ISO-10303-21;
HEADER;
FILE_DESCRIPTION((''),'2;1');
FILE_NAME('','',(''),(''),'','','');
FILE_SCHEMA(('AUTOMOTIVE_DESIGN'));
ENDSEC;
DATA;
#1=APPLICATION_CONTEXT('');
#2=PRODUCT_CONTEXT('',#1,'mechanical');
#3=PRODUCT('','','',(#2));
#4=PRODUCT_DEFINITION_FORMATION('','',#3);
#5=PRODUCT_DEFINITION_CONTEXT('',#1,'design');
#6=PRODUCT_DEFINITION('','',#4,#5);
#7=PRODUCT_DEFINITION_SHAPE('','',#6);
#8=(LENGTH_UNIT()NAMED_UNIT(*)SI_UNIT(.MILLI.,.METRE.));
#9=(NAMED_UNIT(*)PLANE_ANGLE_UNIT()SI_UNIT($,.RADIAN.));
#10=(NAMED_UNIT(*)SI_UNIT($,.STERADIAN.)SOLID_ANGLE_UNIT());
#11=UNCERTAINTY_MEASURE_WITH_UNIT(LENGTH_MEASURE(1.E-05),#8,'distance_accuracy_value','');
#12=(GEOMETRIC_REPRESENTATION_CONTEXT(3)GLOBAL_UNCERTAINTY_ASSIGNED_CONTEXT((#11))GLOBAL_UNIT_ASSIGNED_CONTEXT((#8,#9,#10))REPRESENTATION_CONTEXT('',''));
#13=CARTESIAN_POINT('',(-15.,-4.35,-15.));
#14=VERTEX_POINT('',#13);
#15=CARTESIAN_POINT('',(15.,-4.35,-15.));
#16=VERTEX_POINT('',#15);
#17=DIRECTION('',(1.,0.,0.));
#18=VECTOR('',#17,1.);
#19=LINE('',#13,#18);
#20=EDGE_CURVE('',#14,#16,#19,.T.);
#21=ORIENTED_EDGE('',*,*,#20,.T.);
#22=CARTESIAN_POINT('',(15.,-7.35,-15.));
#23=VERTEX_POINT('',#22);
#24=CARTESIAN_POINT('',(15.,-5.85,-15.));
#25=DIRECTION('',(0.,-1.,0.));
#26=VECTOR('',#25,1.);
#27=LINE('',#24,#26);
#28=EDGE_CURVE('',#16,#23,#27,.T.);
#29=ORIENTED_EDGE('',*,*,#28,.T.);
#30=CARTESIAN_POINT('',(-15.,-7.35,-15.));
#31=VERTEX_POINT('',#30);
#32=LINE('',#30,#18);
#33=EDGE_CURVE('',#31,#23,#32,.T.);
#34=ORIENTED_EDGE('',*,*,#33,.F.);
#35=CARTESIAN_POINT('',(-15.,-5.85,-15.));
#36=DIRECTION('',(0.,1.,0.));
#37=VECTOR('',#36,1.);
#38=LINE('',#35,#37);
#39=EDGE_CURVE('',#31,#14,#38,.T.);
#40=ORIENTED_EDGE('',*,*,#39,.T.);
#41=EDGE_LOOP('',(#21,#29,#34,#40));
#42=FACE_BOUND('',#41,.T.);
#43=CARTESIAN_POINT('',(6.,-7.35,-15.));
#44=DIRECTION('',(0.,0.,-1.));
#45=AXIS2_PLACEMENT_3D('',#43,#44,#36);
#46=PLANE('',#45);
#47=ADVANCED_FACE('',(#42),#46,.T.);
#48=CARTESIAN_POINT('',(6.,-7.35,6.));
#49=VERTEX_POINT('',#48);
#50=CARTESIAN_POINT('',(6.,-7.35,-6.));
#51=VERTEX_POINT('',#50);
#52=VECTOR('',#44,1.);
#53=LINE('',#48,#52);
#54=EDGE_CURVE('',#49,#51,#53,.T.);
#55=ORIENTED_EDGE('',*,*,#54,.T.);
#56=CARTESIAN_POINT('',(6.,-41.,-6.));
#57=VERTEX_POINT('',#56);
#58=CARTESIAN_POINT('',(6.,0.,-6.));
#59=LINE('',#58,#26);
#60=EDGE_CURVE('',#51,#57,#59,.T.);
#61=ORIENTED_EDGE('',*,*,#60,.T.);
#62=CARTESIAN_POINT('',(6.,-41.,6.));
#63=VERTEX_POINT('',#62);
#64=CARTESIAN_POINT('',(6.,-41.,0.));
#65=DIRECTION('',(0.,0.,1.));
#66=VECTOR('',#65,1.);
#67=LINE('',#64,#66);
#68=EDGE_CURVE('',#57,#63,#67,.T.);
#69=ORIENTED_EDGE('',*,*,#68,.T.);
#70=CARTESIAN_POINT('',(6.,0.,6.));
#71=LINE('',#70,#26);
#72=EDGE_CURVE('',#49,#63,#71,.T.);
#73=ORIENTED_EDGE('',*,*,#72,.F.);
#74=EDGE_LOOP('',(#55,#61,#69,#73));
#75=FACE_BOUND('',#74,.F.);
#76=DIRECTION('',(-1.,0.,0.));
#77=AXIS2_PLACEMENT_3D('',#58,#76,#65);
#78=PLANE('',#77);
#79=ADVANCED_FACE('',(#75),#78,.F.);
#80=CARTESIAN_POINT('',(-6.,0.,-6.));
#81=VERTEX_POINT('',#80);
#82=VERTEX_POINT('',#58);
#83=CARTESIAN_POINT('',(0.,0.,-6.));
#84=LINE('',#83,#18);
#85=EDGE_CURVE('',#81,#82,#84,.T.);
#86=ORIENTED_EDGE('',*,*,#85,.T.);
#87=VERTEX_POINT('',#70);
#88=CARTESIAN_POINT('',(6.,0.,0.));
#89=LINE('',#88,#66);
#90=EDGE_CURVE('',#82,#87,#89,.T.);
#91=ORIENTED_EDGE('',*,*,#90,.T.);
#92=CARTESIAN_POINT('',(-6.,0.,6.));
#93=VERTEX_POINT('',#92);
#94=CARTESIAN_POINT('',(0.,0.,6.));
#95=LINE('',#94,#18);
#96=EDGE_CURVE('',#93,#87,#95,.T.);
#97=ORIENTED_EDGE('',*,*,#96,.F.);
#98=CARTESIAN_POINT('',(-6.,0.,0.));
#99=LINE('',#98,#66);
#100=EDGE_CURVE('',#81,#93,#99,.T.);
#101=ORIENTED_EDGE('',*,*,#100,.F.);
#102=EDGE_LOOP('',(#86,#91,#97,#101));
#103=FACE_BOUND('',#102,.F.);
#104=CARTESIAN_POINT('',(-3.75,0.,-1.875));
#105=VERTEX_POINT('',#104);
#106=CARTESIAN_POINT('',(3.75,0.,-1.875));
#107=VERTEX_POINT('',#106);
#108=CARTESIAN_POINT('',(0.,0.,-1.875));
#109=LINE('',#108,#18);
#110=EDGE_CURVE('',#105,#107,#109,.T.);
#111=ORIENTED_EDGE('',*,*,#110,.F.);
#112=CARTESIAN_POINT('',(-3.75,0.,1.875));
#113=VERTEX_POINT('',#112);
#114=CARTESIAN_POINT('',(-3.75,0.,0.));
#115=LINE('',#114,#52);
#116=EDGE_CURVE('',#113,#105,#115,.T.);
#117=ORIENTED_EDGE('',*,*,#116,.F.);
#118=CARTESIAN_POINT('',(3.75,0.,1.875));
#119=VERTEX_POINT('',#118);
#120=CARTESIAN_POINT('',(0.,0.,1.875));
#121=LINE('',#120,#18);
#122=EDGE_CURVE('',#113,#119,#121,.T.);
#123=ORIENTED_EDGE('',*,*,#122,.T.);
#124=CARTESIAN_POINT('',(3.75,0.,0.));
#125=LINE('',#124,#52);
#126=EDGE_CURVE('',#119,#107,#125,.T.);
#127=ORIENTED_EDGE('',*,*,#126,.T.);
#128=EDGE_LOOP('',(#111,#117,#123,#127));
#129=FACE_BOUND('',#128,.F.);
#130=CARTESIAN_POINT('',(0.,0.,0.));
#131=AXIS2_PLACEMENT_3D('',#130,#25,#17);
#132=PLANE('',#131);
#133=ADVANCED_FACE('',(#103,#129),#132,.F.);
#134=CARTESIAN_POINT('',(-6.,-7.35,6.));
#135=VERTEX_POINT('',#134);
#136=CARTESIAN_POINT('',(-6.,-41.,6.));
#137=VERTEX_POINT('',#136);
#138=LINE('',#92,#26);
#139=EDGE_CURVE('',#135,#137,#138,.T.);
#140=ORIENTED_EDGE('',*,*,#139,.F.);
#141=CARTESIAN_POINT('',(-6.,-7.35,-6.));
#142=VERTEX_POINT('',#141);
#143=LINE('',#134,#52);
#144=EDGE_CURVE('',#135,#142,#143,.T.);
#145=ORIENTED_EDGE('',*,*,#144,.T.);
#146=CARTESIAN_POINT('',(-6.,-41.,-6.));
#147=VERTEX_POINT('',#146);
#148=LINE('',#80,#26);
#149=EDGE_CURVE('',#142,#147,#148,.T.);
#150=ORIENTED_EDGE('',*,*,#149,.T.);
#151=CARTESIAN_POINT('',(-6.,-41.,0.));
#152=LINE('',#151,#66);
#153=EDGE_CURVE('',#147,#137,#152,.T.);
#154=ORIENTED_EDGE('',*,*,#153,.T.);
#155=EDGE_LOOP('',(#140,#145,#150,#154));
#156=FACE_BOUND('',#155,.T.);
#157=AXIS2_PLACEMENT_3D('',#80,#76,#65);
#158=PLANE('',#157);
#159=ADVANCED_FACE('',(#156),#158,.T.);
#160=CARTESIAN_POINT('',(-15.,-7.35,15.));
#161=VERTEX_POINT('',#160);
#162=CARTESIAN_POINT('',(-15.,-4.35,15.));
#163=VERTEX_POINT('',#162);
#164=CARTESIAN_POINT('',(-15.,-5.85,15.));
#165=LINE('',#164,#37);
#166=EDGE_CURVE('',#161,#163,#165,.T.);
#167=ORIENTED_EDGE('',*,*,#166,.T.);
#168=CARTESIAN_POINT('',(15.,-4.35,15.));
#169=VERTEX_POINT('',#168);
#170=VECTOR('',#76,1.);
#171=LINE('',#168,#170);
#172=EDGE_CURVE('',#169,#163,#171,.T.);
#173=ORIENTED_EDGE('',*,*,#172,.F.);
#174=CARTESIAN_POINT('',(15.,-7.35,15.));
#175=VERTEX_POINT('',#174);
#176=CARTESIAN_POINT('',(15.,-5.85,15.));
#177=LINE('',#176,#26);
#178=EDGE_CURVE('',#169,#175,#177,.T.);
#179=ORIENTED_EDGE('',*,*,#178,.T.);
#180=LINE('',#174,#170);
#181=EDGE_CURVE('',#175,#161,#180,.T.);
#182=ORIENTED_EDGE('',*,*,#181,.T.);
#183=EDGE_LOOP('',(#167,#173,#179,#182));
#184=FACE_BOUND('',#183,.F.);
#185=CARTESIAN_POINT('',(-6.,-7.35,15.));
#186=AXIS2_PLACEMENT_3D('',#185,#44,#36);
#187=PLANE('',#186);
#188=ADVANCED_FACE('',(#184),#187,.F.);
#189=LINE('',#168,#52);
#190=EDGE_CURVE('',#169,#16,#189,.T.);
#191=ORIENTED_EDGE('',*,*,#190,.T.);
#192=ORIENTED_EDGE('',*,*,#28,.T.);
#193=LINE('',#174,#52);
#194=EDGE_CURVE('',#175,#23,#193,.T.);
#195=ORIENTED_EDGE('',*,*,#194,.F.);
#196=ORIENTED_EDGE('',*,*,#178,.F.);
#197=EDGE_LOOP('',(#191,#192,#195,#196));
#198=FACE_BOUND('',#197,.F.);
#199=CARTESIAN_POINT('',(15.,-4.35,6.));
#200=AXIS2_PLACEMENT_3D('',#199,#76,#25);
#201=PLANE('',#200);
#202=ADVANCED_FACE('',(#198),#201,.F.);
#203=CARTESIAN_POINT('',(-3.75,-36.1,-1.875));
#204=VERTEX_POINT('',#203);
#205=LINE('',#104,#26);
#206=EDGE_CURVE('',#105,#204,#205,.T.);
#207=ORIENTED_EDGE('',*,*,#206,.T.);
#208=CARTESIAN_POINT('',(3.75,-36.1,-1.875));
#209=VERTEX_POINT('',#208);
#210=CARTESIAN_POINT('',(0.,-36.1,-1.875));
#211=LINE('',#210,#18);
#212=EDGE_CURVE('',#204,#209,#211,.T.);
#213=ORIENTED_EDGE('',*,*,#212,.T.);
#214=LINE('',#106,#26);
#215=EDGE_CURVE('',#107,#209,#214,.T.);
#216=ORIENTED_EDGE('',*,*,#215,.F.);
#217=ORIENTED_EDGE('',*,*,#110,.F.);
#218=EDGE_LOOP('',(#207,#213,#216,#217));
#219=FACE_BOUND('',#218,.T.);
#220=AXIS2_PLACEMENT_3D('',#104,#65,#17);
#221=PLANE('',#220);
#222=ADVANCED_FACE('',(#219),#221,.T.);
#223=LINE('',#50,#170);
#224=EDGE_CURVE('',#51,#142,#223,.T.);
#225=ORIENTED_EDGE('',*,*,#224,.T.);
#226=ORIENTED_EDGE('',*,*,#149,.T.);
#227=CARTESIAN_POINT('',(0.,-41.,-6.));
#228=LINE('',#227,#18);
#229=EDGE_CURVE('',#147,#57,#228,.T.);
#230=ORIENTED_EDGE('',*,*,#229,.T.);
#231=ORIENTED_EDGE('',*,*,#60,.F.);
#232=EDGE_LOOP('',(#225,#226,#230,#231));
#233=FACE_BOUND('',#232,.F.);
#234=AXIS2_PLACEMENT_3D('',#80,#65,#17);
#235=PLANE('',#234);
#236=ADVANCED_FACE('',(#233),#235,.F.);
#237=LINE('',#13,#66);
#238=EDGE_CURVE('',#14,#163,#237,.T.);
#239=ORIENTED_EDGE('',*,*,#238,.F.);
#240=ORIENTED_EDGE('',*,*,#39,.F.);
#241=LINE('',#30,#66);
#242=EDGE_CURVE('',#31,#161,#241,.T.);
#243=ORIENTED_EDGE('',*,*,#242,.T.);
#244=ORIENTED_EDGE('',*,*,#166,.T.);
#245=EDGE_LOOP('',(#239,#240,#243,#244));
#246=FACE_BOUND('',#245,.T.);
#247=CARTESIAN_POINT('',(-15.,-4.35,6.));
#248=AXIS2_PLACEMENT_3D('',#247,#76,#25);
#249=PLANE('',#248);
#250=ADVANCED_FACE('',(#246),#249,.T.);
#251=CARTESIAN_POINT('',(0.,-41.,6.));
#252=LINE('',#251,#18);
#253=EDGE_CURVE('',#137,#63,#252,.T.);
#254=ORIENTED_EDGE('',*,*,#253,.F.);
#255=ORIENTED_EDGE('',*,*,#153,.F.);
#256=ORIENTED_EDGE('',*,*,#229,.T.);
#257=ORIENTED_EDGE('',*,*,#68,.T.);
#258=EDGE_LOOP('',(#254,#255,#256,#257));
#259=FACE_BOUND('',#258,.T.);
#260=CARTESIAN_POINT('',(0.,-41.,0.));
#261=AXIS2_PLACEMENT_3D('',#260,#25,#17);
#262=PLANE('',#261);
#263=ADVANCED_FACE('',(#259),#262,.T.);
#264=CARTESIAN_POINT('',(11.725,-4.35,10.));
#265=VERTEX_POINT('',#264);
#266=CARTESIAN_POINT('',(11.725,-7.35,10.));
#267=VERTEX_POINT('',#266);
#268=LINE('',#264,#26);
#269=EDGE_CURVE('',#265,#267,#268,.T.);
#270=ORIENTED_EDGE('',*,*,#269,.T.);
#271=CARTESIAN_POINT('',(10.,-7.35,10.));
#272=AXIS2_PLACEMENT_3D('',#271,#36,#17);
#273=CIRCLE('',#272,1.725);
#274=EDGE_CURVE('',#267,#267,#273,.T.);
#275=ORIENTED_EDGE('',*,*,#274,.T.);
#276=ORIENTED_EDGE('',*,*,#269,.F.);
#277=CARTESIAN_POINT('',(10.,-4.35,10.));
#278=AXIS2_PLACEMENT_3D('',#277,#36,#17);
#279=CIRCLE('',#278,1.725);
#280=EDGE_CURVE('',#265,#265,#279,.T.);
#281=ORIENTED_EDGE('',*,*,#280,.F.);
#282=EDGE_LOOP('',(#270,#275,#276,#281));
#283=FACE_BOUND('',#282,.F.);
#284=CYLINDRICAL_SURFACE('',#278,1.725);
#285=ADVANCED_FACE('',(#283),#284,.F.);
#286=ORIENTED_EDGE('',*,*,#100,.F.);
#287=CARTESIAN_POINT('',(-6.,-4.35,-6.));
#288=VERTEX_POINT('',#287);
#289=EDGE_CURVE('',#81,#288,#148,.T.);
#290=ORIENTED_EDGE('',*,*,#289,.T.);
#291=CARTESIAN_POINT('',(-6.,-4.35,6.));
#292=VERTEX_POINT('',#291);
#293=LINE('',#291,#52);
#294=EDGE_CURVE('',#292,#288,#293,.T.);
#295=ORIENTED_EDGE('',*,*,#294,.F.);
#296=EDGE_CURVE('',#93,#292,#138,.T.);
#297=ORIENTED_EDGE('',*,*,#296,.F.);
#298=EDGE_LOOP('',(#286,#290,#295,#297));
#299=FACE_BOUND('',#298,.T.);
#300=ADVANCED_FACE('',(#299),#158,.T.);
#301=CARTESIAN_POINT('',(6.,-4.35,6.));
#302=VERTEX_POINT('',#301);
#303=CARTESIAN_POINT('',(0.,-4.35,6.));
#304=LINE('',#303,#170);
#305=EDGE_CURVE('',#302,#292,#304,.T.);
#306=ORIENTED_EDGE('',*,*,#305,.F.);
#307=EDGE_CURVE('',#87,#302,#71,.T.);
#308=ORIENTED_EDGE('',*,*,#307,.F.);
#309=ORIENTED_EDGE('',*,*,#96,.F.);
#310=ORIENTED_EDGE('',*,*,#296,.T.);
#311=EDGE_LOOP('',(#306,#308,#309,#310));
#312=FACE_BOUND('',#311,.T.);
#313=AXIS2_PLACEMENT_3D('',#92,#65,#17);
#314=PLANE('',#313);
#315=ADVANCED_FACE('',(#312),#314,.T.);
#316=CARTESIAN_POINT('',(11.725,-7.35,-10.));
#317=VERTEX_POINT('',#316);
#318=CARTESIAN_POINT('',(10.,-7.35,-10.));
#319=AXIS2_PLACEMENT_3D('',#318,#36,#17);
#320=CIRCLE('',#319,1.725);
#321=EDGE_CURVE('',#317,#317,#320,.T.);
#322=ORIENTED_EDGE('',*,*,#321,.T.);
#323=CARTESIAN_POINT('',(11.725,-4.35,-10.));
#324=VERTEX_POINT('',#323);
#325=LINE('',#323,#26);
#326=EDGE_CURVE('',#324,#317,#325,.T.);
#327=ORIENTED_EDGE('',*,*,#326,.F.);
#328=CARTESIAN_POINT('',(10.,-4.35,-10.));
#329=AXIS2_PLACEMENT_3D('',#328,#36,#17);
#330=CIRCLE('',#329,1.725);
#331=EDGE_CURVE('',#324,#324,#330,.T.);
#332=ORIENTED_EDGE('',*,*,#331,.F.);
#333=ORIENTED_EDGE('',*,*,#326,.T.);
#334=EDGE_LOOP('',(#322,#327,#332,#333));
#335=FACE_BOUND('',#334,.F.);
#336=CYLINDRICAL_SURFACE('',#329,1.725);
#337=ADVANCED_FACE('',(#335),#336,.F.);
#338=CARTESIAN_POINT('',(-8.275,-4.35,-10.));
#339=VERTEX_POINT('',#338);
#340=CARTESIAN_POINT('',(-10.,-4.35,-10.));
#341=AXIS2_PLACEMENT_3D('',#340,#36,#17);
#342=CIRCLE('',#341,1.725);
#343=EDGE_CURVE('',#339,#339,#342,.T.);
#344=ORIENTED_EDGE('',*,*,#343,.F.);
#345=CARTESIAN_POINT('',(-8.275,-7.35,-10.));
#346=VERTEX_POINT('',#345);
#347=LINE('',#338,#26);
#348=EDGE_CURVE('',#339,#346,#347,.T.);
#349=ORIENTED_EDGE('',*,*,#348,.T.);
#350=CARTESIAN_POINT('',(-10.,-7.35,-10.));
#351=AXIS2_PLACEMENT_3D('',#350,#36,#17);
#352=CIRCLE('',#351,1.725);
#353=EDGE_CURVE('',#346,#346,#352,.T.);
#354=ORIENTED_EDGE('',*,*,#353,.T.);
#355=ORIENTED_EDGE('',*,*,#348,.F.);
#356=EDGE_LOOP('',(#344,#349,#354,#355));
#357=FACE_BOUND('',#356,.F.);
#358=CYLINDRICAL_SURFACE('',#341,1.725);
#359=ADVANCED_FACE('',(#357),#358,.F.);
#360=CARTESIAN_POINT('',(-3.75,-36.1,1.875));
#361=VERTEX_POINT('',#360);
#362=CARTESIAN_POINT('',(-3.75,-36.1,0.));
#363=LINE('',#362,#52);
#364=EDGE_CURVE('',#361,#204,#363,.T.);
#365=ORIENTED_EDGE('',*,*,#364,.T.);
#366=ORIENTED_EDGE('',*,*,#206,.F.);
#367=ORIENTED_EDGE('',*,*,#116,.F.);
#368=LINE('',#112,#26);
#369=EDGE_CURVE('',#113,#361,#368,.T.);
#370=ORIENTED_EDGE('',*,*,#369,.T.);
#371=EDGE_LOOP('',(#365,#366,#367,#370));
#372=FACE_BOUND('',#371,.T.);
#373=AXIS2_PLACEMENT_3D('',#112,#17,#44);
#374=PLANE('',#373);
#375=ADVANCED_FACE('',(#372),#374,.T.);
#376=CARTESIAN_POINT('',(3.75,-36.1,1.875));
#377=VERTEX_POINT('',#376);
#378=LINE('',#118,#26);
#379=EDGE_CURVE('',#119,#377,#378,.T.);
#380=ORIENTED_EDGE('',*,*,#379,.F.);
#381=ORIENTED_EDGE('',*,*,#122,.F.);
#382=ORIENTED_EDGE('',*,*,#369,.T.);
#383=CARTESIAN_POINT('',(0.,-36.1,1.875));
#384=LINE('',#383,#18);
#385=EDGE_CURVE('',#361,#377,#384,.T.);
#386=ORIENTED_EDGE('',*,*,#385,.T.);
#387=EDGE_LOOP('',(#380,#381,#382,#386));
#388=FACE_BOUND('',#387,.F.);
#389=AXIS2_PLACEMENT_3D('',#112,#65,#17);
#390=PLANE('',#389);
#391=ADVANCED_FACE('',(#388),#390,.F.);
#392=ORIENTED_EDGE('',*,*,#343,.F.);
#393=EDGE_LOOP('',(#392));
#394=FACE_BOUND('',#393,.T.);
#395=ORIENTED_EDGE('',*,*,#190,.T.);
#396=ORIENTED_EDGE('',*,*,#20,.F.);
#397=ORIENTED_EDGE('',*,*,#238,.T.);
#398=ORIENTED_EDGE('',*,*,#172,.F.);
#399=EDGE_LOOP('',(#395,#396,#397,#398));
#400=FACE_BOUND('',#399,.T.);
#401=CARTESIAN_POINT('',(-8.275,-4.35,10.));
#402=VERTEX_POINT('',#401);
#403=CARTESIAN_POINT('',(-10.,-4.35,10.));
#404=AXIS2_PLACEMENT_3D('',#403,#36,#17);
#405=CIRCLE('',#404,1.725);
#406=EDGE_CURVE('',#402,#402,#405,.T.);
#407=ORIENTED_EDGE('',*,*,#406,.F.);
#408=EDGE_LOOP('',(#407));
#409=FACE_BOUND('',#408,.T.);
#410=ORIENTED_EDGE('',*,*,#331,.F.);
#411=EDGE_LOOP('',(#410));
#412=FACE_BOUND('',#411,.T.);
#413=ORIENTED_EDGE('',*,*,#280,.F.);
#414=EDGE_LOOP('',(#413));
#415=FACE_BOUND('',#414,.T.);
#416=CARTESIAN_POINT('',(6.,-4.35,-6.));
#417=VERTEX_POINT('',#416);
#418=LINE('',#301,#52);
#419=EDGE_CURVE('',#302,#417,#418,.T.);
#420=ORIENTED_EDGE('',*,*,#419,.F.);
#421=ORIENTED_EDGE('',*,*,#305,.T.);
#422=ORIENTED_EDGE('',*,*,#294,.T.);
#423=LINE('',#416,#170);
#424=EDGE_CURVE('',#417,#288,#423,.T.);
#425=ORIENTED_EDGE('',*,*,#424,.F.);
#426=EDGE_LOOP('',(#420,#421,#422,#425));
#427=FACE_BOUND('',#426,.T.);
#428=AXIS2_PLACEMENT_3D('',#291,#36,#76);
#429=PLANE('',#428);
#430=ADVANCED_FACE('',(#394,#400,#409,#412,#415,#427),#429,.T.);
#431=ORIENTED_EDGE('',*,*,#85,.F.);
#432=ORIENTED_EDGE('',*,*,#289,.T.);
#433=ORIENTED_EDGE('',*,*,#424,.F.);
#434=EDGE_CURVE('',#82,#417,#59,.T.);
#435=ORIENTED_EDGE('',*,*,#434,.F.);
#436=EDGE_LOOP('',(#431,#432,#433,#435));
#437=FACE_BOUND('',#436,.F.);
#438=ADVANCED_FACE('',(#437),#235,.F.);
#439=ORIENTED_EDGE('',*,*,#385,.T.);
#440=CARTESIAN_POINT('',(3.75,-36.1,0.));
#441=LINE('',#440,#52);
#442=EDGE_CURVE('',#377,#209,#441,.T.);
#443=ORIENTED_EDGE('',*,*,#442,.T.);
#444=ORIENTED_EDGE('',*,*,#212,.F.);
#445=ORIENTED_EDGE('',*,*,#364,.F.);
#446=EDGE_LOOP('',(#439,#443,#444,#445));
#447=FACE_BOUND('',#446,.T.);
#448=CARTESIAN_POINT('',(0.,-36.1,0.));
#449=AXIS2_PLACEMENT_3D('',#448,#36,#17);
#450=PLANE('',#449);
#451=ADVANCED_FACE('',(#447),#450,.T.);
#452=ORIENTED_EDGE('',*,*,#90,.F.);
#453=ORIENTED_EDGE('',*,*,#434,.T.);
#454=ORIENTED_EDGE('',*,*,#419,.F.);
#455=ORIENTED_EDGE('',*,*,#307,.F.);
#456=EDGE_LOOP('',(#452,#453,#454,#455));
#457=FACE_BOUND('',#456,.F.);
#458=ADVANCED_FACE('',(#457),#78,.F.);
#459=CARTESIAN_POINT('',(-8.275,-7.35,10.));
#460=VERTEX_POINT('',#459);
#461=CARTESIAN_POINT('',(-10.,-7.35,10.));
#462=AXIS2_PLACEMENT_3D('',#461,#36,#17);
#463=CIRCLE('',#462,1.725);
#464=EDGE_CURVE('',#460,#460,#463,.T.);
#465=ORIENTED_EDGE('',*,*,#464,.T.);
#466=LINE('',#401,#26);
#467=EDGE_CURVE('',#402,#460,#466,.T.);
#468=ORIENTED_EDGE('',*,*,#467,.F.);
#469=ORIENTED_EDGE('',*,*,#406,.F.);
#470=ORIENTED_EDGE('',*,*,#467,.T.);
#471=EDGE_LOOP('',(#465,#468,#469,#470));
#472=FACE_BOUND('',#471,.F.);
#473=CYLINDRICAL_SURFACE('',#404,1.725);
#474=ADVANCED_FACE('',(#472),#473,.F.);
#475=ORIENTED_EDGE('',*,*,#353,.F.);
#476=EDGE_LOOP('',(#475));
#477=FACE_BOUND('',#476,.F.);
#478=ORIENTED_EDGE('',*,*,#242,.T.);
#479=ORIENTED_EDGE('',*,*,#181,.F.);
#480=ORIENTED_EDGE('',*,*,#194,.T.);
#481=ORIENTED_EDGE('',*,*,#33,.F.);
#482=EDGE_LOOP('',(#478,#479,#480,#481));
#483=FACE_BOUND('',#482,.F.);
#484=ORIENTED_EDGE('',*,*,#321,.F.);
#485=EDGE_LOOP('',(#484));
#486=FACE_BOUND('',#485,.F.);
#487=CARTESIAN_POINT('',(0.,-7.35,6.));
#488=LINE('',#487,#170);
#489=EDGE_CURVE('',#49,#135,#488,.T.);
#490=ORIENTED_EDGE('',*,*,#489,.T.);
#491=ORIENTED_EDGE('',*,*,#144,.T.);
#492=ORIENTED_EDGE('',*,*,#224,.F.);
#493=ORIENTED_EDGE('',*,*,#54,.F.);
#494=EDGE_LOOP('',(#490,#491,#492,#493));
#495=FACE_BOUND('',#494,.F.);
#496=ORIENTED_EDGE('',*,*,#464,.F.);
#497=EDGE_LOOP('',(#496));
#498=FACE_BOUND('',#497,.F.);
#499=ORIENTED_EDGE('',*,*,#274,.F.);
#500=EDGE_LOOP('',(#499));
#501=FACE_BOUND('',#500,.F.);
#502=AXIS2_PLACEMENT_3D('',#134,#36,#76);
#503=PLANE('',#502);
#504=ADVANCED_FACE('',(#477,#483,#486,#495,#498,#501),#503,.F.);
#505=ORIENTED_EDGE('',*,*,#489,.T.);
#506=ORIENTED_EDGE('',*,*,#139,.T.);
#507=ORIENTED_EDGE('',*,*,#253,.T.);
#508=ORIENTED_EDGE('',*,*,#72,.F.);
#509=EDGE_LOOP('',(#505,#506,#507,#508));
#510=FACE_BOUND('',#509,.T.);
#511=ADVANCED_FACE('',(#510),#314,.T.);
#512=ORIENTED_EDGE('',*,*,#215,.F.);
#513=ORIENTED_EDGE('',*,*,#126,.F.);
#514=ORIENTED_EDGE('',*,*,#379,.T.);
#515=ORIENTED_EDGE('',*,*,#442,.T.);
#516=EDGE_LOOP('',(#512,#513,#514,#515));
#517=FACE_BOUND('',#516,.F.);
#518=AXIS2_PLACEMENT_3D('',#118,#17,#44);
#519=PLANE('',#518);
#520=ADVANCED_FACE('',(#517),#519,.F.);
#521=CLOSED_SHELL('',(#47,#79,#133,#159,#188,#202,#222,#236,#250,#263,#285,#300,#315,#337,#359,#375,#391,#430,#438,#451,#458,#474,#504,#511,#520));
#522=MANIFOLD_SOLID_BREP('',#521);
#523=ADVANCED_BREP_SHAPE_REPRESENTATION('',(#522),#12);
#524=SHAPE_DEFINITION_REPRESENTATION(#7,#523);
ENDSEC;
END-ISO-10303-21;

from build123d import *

# Parameters (mm, degrees)
SKETCH_W        = 12
SKETCH_H        = 12
PAD_DEPTH       = 41
SKETCH001_W     = 7.5
SKETCH001_H     = 3.75
POCKET_DEPTH    = 36.1
SKETCH003_W     = 12
SKETCH003_H     = 3
PAD001_DEPTH    = 9
PAD001_FACE11_W = 3
PAD001_FACE11_H = 9
PAD002_DEPTH    = 9
PAD002_FACE11_W = 3
PAD002_FACE11_H = 9
PAD003_DEPTH    = 21
PAD003_FACE17_W = 3
PAD003_FACE17_H = 9
PAD004_DEPTH    = 21
PAD004_FACE12_W = 3
PAD004_FACE12_H = 9
PAD005_DEPTH    = 9
PAD005_FACE17_W = 3
PAD005_FACE17_H = 9
PAD006_DEPTH    = 12
SKETCH004_R     = 1.725
POCKET001_DEPTH = 36.651


with BuildPart() as part:
    # Sketch → Pad (new body)
    with BuildSketch(Plane.XZ):
        Rectangle(SKETCH_W, SKETCH_H)
    extrude(amount=PAD_DEPTH)

    # Sketch001 (on Face5 of Pad) → Pocket (cut)
    with BuildSketch(Plane(origin=(0, 0, 0), x_dir=(1, 0, 0), z_dir=(0, 1, 0))):
        Rectangle(SKETCH001_W, SKETCH001_H)
    extrude(amount=-POCKET_DEPTH, mode=Mode.SUBTRACT)

    # Sketch003 (on Face1 of Pocket) → Pad001 (join)
    with BuildSketch(Plane(origin=(0, 0, 6), x_dir=(-1, 0, 0), z_dir=(0, 0, 1))):
        with Locations((0, 5.85)):
            Rectangle(SKETCH003_W, SKETCH003_H)
    extrude(amount=PAD001_DEPTH)

    # Pad001 Face11 → Pad002 (add)
    with BuildSketch(Plane(origin=(6, -5.85, 10.5), x_dir=(0, -1, 0), z_dir=(1, 0, 0))):
        Rectangle(PAD001_FACE11_W, PAD001_FACE11_H)
    extrude(amount=PAD002_DEPTH)

    # Pad002 Face11 → Pad003 (add)
    with BuildSketch(Plane(origin=(10.5, -5.85, 6), x_dir=(0, -1, 0), z_dir=(0, 0, -1))):
        Rectangle(PAD002_FACE11_W, PAD002_FACE11_H)
    extrude(amount=PAD003_DEPTH)

    # Pad003 Face17 → Pad004 (add)
    with BuildSketch(Plane(origin=(6, -5.85, -10.5), x_dir=(0, 1, 0), z_dir=(-1, 0, 0))):
        Rectangle(PAD003_FACE17_W, PAD003_FACE17_H)
    extrude(amount=PAD004_DEPTH)

    # Pad004 Face12 → Pad005 (add)
    with BuildSketch(Plane(origin=(-6, -5.85, 10.5), x_dir=(0, 1, 0), z_dir=(-1, 0, 0))):
        Rectangle(PAD004_FACE12_W, PAD004_FACE12_H)
    extrude(amount=PAD005_DEPTH)

    # Pad005 Face17 → Pad006 (add)
    with BuildSketch(Plane(origin=(-10.5, -5.85, 6), x_dir=(0, -1, 0), z_dir=(0, 0, -1))):
        Rectangle(PAD005_FACE17_W, PAD005_FACE17_H)
    extrude(amount=PAD006_DEPTH)

    # Sketch004 (on Face13 of Pad006) → Pocket001 (cut, through all)
    with BuildSketch(Plane(origin=(0, -4.35, 0), x_dir=(1, 0, 0), z_dir=(0, 1, 0))):
        with Locations((-10, 10)):
            Circle(SKETCH004_R)
        with Locations((10, 10)):
            Circle(SKETCH004_R)
        with Locations((10, -10)):
            Circle(SKETCH004_R)
        with Locations((-10, -10)):
            Circle(SKETCH004_R)
    extrude(amount=-POCKET001_DEPTH, mode=Mode.SUBTRACT)


solid = part.part
